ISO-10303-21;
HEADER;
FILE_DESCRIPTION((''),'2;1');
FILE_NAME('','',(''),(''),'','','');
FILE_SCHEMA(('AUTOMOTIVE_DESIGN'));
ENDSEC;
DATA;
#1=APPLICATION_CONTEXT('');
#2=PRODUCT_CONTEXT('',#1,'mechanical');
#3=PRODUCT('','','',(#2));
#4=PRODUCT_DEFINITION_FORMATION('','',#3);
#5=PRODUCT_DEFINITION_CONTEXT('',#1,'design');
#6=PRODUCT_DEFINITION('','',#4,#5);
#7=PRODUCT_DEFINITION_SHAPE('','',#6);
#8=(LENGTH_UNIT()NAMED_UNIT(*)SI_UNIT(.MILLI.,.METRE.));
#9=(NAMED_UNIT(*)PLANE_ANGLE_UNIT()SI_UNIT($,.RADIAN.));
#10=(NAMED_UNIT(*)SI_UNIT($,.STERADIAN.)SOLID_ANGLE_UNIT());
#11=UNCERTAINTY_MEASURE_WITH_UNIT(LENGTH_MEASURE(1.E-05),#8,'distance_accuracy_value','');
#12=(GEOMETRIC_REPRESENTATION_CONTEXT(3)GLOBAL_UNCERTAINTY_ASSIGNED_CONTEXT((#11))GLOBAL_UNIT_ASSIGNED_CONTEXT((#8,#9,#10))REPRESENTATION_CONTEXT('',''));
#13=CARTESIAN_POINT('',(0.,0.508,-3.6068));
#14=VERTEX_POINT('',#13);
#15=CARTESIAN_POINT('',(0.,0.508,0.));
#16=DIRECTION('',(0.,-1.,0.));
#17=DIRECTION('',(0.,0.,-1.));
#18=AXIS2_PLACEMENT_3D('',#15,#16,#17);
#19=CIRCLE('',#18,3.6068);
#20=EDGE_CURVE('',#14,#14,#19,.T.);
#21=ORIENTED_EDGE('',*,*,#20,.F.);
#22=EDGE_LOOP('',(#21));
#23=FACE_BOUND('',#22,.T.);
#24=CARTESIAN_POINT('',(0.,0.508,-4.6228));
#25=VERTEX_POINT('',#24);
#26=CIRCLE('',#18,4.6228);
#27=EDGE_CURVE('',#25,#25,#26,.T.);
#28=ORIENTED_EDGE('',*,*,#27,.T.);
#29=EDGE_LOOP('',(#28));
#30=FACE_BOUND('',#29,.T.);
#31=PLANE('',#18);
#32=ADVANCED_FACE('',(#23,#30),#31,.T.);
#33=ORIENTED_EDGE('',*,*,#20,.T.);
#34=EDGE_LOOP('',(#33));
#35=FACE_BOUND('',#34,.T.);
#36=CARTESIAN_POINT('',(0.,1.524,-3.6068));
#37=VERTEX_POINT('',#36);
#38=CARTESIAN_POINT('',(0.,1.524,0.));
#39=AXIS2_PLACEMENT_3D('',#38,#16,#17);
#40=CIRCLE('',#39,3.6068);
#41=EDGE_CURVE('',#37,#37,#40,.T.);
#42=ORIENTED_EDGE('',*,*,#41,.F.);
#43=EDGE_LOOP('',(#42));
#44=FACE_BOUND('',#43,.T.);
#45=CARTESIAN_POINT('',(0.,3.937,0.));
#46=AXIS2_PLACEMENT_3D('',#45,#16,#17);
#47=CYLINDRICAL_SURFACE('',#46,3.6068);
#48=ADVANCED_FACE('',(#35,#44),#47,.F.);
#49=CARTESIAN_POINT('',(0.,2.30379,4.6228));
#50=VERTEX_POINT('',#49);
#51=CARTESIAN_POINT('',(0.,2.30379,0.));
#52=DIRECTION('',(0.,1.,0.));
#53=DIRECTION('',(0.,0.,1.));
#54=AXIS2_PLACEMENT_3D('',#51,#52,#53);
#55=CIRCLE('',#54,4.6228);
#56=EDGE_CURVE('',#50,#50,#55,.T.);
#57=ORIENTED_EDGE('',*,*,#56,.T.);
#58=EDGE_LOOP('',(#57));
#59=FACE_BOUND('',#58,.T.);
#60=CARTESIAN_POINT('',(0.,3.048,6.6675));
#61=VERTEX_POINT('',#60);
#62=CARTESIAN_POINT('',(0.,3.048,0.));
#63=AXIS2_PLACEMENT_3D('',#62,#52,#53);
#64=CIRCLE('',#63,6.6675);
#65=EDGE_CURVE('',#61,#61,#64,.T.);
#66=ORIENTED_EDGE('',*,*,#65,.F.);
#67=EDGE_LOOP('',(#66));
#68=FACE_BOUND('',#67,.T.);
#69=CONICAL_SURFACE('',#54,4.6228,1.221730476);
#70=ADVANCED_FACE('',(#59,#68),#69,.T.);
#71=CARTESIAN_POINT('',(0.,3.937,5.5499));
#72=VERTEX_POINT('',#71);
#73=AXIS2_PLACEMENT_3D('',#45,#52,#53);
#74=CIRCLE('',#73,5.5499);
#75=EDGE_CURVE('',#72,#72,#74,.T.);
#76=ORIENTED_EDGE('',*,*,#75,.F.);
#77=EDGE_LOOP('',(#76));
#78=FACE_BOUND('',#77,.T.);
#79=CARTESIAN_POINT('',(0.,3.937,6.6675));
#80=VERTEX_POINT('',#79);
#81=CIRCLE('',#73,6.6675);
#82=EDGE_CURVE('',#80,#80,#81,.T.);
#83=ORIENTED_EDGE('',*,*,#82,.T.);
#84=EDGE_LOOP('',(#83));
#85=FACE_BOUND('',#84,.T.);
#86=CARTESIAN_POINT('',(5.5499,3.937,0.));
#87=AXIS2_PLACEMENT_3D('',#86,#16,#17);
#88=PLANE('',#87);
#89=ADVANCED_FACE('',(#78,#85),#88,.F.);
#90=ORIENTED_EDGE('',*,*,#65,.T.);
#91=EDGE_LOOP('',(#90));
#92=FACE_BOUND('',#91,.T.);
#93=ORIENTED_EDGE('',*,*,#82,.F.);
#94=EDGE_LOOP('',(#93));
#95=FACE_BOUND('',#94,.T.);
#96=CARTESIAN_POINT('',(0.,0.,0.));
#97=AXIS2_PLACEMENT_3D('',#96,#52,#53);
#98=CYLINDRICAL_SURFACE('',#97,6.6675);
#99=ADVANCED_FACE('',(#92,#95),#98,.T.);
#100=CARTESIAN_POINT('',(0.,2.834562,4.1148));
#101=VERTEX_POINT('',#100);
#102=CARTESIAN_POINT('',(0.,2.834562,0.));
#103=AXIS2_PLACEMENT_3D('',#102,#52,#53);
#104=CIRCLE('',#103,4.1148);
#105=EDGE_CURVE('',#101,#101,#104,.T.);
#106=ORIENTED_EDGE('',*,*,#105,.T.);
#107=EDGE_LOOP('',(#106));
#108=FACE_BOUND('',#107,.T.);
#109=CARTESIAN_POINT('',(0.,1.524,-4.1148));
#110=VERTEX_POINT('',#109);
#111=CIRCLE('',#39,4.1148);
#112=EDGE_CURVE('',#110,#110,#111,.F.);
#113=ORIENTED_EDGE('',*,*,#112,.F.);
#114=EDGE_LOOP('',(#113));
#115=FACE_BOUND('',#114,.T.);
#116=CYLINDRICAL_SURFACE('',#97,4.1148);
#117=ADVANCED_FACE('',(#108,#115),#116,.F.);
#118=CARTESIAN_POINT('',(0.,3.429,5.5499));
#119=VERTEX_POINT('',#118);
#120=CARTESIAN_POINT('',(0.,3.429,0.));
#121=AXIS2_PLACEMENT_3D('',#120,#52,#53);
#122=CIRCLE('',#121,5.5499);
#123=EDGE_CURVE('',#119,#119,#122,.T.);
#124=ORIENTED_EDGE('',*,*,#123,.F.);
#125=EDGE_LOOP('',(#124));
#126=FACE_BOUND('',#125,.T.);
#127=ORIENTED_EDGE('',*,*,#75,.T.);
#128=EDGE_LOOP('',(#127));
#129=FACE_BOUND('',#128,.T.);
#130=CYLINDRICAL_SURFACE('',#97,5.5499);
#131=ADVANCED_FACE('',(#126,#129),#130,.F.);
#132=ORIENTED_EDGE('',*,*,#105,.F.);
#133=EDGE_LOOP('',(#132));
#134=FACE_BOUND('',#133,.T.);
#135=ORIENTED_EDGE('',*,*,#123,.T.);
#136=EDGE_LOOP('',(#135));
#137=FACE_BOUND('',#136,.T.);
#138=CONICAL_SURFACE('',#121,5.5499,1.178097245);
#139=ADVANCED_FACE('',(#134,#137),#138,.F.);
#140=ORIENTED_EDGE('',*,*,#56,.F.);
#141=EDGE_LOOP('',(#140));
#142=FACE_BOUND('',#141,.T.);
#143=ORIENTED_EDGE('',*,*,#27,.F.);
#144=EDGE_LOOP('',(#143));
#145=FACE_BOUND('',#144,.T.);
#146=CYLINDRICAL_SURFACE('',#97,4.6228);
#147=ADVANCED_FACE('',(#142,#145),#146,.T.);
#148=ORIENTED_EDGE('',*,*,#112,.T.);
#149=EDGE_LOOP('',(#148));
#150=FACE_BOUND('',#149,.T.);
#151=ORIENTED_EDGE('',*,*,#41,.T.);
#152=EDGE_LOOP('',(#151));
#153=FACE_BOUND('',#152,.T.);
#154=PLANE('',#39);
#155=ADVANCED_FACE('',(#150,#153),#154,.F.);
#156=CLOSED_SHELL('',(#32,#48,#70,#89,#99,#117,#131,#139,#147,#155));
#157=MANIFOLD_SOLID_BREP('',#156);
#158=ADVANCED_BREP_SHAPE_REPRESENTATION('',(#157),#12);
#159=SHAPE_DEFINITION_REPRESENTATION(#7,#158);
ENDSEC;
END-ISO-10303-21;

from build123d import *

# Parameters (mm, degrees)
SKETCH3_R      = 4.6228
SKETCH3_R_2    = 4.1148
EXTRUDE2_DEPTH = 0.508
SKETCH6_R      = 4.1148
EXTRUDE5_DEPTH = 1.016
SKETCH10_R     = 3.6068
EXTRUDE7_DEPTH = 4.429


with BuildPart() as part:
    # Sketch1 → Revolve1 (revolve)
    with BuildSketch(Plane.XY, mode=Mode.PRIVATE) as revolve1_sk:
        Polygon((4.6228, 0), (4.6228, 2.303790062), (6.6675, 3.048), (6.6675, 3.937), (5.5499, 3.937), (5.5499, 3.429), (4.1148, 2.834562117), (4.1148, 0), align=None)
    revolve(revolve1_sk.sketch.rotate(Axis((0, 0, 0), (0, -1, 0)), 90), axis=Axis((0, 0, 0), (0, -1, 0)))  # turned: the seam where the file's is

    # Sketch3 → Extrude2 (cut)
    with BuildSketch(Plane.XZ):
        with Locations(Location((0, 0, 0), (0, 0, 90))):  # turned: the seam where the file's is
            Circle(SKETCH3_R)
        with Locations(Location((0, 0, 0), (0, 0, 90))):  # turned: the seam where the file's is
            Circle(SKETCH3_R_2, mode=Mode.SUBTRACT)
    extrude(amount=-EXTRUDE2_DEPTH, mode=Mode.SUBTRACT)

    # Sketch6 → Extrude5 (add)
    with BuildSketch(Plane.XZ.offset(-0.508)):
        with Locations(Location((0, 0, 0), (0, 0, 90))):  # turned: the seam where the file's is
            Circle(SKETCH6_R)
    extrude(amount=-EXTRUDE5_DEPTH)

    # Sketch10 → Extrude7 (cut, through all)
    with BuildSketch(Plane.XZ.offset(-0.508)):
        with Locations(Location((0, 0, 0), (0, 0, 270))):  # turned: the seam where the file's is
            Circle(SKETCH10_R)
    extrude(amount=-EXTRUDE7_DEPTH, mode=Mode.SUBTRACT)


solid = part.part
